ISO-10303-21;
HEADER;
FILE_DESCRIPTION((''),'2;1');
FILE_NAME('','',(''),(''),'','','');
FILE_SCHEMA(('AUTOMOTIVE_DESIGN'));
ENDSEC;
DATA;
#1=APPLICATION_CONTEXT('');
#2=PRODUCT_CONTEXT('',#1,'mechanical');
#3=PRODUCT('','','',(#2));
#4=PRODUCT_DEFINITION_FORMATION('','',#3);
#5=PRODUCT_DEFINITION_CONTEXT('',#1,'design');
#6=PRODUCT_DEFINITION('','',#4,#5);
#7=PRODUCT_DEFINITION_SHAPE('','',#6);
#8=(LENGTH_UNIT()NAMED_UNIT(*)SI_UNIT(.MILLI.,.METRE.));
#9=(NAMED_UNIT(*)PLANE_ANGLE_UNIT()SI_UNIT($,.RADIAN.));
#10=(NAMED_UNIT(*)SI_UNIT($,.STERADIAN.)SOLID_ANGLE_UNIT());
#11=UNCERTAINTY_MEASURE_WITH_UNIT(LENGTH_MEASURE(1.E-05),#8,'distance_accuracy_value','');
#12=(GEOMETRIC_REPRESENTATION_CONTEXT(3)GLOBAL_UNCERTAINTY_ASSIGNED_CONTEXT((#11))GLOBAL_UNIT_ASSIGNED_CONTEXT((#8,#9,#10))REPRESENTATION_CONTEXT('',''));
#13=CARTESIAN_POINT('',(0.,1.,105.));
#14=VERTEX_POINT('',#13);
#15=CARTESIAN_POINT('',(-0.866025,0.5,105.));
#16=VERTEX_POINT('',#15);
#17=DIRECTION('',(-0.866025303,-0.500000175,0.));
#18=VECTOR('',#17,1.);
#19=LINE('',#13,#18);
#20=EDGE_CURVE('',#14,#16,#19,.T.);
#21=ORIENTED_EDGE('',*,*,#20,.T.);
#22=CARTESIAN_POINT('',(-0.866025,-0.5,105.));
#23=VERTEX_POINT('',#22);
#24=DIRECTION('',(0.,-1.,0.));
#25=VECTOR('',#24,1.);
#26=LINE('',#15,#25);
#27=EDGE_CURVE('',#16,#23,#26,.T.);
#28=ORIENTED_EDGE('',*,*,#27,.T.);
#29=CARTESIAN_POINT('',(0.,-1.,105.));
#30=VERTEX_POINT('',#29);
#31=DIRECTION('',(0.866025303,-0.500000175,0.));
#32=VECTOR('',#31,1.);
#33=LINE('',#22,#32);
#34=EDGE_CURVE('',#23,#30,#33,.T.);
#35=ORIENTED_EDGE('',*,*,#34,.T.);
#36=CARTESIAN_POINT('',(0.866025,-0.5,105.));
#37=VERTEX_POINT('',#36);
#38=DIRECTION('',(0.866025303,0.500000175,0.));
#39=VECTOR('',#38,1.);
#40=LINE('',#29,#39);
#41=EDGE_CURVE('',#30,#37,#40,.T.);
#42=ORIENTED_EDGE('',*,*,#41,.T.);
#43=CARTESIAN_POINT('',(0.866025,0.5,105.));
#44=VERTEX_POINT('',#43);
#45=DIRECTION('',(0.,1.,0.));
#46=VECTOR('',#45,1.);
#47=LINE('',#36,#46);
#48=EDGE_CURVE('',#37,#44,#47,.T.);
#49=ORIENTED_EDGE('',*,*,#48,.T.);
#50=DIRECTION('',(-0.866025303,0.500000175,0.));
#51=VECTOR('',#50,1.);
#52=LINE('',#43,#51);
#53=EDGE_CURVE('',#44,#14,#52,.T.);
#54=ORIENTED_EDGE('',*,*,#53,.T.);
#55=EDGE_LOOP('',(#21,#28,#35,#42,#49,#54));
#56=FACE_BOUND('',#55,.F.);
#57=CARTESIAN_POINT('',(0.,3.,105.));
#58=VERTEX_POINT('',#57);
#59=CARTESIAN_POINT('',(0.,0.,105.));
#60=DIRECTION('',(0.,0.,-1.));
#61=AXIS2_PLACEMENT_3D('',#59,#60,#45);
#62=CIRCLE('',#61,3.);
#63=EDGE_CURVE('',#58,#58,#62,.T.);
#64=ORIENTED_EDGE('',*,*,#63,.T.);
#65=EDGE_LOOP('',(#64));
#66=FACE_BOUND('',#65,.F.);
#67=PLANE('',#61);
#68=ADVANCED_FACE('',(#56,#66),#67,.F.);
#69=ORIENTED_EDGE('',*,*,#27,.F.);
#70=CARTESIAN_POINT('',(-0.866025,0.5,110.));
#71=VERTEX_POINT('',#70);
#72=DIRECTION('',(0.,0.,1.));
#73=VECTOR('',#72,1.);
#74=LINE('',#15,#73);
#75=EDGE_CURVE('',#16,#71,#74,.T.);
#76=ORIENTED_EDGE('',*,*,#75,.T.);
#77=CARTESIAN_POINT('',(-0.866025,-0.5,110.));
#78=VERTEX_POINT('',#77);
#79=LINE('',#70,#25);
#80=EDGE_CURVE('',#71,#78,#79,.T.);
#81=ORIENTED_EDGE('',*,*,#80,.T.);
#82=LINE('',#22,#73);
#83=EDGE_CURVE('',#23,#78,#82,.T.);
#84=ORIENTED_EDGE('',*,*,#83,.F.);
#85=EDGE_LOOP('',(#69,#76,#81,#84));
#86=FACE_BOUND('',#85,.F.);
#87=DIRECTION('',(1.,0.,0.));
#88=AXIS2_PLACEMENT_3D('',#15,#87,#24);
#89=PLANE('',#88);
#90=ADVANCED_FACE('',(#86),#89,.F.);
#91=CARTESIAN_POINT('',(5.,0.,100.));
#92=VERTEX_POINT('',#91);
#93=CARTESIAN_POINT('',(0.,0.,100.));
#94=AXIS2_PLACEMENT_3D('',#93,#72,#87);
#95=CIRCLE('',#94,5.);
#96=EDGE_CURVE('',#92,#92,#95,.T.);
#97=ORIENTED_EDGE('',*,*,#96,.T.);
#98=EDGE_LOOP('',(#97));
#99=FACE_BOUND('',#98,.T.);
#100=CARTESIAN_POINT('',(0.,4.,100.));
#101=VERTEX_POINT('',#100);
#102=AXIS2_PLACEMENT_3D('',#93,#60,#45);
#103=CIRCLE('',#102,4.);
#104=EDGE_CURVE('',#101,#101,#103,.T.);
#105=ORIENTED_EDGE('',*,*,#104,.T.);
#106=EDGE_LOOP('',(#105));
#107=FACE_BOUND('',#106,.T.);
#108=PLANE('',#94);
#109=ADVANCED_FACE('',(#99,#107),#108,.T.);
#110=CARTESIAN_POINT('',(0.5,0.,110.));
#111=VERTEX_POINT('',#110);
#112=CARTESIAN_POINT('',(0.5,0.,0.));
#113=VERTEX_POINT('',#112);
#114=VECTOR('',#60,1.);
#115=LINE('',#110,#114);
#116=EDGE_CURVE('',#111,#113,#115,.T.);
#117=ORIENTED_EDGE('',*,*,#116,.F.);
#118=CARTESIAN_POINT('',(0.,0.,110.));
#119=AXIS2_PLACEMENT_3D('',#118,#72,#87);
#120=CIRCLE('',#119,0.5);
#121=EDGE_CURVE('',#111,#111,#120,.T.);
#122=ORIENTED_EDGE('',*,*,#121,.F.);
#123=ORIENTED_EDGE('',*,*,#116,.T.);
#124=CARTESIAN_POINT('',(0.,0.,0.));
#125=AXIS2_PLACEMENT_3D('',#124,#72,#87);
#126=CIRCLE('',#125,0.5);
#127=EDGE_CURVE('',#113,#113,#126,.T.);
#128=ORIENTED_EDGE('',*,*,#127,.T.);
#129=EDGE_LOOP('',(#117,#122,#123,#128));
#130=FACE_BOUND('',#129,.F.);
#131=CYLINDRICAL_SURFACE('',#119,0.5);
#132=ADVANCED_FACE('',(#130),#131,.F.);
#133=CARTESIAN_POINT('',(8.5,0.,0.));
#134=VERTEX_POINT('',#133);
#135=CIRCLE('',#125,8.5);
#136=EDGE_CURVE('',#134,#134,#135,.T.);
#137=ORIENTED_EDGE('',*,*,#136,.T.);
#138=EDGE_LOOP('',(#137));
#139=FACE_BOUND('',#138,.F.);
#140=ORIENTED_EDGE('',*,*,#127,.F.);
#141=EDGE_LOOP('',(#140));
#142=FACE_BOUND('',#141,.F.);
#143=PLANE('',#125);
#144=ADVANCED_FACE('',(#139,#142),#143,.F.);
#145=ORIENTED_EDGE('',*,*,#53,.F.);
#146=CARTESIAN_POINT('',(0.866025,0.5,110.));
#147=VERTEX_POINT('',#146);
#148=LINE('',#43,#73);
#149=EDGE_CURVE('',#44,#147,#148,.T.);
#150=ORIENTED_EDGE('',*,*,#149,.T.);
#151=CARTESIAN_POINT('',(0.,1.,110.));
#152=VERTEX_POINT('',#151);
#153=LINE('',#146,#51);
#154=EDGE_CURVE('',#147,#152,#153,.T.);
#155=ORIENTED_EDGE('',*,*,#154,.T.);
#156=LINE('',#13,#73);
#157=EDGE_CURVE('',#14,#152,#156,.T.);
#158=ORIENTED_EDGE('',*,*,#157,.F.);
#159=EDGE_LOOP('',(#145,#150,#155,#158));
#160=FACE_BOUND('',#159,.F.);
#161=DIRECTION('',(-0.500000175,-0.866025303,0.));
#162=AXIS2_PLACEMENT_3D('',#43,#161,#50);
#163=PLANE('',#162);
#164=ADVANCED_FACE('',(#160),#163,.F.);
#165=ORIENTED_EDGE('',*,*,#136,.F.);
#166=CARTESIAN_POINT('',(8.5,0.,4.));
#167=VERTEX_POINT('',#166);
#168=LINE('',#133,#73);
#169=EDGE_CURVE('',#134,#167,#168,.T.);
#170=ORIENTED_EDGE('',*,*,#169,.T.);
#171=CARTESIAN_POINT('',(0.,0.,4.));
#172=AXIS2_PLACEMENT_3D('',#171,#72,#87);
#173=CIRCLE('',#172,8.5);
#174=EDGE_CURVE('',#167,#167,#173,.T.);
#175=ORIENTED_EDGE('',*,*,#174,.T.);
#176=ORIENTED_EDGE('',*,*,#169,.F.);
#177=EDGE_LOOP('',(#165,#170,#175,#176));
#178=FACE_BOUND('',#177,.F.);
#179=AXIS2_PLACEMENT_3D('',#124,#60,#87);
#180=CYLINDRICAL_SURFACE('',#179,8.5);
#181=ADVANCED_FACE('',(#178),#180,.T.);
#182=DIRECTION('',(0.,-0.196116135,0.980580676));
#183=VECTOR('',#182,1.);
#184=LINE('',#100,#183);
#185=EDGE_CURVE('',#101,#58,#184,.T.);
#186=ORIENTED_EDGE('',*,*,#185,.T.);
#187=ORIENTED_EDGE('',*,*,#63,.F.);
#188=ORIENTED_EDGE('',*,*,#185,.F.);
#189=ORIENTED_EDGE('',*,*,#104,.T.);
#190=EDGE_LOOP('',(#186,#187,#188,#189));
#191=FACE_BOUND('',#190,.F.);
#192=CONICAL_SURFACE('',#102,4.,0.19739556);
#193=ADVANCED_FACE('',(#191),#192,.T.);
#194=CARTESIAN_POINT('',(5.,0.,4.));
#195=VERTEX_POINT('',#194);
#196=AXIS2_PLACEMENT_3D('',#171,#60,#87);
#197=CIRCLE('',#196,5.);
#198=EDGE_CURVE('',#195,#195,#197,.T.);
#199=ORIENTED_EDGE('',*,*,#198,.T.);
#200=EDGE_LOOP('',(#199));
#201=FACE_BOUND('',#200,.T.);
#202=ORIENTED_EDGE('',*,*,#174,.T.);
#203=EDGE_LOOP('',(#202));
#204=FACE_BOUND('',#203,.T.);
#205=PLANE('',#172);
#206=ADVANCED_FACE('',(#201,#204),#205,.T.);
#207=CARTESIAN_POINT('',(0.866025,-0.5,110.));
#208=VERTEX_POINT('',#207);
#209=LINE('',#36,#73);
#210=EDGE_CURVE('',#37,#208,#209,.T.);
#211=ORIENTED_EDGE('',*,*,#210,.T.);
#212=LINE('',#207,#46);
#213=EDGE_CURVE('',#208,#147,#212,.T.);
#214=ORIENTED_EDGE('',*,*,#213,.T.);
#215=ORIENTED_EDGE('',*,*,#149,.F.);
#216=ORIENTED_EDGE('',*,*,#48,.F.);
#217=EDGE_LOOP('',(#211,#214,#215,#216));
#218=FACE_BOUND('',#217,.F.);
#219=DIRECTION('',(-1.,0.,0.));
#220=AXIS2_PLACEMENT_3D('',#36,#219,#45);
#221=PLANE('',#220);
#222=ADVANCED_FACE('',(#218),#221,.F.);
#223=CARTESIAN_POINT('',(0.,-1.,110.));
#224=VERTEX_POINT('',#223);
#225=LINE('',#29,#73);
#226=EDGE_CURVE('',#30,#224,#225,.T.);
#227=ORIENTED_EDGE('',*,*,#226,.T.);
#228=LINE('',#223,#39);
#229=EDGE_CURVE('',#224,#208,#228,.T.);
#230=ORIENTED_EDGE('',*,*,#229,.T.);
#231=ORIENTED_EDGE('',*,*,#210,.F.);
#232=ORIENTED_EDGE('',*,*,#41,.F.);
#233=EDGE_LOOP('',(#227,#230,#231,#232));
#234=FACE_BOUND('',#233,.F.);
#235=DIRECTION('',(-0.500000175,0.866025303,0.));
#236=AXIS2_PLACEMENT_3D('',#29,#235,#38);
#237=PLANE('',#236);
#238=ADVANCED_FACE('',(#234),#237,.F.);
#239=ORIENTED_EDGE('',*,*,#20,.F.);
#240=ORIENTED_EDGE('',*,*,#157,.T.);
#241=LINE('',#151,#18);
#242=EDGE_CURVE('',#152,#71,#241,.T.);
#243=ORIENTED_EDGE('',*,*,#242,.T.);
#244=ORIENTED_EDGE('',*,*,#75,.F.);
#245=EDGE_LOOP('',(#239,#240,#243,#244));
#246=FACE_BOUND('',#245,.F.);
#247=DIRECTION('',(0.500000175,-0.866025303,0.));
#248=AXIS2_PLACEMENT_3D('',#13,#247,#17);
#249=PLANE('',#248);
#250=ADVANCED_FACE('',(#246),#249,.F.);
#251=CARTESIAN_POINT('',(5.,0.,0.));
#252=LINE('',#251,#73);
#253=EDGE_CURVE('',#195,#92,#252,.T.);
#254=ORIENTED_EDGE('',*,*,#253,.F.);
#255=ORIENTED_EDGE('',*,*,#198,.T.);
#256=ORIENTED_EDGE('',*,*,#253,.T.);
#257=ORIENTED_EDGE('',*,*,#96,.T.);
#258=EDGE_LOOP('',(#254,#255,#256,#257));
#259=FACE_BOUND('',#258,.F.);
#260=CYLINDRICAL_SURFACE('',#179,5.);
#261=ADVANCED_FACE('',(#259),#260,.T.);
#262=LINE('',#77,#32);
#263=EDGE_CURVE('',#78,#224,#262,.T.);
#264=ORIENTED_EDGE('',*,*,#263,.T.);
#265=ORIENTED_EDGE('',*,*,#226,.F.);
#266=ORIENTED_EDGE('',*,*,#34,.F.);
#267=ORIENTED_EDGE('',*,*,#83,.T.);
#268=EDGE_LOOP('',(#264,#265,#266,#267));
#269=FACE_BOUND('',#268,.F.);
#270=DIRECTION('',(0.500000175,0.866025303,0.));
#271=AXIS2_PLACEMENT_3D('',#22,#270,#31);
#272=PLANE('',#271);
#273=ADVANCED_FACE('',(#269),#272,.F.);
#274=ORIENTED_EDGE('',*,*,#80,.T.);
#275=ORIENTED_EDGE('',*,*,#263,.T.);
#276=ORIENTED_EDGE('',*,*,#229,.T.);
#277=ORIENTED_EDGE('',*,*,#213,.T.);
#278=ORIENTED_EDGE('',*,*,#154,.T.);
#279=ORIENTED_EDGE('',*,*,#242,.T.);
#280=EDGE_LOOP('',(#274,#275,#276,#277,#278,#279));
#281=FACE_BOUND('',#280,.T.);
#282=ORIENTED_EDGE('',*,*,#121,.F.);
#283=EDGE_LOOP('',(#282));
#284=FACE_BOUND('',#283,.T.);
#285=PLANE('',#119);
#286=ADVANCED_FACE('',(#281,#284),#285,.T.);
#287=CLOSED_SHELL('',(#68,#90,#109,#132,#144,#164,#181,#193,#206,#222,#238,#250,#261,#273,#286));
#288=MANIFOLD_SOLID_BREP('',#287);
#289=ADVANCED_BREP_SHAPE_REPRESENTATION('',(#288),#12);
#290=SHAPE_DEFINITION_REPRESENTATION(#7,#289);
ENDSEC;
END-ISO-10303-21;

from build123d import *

# Parameters (mm, degrees)
F0_R     = 8.5
F1_DEPTH = 4
F2_R     = 5
F3_DEPTH = 100
F7_DEPTH = 5
F8_R     = 0.5
F9_DEPTH = 120


with BuildPart() as f1:
    # F0 (on Top) → F1 (new body)
    with BuildSketch(Plane.XY):
        Circle(F0_R)
    extrude(amount=F1_DEPTH)

    # F2 (on Top) → F3 (join)
    with BuildSketch(Plane.XY):
        Circle(F2_R)
    extrude(amount=F3_DEPTH)

    # F4 (on Right) → F5 (revolve)
    with BuildSketch(Plane.YZ):
        Polygon((3, 105), (0, 105), (0, 100), (4, 100), align=None)
    revolve(axis=Axis((0, 0, 102.5), (0, 0, -1)))

    # F6 (on face) → F7 (join)
    with BuildSketch(Plane.XY.offset(105)):
        Polygon((0.866025, -0.5), (0.866025, 0.5), (0, 1), (-0.866025, 0.5), (-0.866025, -0.5), (0, -1), align=None)
    extrude(amount=F7_DEPTH)

    # F8 (on face) → F9 (cut)
    with BuildSketch(Plane.XY.offset(110)):
        Circle(F8_R)
    extrude(amount=-F9_DEPTH, mode=Mode.SUBTRACT)


solid = f1.part
